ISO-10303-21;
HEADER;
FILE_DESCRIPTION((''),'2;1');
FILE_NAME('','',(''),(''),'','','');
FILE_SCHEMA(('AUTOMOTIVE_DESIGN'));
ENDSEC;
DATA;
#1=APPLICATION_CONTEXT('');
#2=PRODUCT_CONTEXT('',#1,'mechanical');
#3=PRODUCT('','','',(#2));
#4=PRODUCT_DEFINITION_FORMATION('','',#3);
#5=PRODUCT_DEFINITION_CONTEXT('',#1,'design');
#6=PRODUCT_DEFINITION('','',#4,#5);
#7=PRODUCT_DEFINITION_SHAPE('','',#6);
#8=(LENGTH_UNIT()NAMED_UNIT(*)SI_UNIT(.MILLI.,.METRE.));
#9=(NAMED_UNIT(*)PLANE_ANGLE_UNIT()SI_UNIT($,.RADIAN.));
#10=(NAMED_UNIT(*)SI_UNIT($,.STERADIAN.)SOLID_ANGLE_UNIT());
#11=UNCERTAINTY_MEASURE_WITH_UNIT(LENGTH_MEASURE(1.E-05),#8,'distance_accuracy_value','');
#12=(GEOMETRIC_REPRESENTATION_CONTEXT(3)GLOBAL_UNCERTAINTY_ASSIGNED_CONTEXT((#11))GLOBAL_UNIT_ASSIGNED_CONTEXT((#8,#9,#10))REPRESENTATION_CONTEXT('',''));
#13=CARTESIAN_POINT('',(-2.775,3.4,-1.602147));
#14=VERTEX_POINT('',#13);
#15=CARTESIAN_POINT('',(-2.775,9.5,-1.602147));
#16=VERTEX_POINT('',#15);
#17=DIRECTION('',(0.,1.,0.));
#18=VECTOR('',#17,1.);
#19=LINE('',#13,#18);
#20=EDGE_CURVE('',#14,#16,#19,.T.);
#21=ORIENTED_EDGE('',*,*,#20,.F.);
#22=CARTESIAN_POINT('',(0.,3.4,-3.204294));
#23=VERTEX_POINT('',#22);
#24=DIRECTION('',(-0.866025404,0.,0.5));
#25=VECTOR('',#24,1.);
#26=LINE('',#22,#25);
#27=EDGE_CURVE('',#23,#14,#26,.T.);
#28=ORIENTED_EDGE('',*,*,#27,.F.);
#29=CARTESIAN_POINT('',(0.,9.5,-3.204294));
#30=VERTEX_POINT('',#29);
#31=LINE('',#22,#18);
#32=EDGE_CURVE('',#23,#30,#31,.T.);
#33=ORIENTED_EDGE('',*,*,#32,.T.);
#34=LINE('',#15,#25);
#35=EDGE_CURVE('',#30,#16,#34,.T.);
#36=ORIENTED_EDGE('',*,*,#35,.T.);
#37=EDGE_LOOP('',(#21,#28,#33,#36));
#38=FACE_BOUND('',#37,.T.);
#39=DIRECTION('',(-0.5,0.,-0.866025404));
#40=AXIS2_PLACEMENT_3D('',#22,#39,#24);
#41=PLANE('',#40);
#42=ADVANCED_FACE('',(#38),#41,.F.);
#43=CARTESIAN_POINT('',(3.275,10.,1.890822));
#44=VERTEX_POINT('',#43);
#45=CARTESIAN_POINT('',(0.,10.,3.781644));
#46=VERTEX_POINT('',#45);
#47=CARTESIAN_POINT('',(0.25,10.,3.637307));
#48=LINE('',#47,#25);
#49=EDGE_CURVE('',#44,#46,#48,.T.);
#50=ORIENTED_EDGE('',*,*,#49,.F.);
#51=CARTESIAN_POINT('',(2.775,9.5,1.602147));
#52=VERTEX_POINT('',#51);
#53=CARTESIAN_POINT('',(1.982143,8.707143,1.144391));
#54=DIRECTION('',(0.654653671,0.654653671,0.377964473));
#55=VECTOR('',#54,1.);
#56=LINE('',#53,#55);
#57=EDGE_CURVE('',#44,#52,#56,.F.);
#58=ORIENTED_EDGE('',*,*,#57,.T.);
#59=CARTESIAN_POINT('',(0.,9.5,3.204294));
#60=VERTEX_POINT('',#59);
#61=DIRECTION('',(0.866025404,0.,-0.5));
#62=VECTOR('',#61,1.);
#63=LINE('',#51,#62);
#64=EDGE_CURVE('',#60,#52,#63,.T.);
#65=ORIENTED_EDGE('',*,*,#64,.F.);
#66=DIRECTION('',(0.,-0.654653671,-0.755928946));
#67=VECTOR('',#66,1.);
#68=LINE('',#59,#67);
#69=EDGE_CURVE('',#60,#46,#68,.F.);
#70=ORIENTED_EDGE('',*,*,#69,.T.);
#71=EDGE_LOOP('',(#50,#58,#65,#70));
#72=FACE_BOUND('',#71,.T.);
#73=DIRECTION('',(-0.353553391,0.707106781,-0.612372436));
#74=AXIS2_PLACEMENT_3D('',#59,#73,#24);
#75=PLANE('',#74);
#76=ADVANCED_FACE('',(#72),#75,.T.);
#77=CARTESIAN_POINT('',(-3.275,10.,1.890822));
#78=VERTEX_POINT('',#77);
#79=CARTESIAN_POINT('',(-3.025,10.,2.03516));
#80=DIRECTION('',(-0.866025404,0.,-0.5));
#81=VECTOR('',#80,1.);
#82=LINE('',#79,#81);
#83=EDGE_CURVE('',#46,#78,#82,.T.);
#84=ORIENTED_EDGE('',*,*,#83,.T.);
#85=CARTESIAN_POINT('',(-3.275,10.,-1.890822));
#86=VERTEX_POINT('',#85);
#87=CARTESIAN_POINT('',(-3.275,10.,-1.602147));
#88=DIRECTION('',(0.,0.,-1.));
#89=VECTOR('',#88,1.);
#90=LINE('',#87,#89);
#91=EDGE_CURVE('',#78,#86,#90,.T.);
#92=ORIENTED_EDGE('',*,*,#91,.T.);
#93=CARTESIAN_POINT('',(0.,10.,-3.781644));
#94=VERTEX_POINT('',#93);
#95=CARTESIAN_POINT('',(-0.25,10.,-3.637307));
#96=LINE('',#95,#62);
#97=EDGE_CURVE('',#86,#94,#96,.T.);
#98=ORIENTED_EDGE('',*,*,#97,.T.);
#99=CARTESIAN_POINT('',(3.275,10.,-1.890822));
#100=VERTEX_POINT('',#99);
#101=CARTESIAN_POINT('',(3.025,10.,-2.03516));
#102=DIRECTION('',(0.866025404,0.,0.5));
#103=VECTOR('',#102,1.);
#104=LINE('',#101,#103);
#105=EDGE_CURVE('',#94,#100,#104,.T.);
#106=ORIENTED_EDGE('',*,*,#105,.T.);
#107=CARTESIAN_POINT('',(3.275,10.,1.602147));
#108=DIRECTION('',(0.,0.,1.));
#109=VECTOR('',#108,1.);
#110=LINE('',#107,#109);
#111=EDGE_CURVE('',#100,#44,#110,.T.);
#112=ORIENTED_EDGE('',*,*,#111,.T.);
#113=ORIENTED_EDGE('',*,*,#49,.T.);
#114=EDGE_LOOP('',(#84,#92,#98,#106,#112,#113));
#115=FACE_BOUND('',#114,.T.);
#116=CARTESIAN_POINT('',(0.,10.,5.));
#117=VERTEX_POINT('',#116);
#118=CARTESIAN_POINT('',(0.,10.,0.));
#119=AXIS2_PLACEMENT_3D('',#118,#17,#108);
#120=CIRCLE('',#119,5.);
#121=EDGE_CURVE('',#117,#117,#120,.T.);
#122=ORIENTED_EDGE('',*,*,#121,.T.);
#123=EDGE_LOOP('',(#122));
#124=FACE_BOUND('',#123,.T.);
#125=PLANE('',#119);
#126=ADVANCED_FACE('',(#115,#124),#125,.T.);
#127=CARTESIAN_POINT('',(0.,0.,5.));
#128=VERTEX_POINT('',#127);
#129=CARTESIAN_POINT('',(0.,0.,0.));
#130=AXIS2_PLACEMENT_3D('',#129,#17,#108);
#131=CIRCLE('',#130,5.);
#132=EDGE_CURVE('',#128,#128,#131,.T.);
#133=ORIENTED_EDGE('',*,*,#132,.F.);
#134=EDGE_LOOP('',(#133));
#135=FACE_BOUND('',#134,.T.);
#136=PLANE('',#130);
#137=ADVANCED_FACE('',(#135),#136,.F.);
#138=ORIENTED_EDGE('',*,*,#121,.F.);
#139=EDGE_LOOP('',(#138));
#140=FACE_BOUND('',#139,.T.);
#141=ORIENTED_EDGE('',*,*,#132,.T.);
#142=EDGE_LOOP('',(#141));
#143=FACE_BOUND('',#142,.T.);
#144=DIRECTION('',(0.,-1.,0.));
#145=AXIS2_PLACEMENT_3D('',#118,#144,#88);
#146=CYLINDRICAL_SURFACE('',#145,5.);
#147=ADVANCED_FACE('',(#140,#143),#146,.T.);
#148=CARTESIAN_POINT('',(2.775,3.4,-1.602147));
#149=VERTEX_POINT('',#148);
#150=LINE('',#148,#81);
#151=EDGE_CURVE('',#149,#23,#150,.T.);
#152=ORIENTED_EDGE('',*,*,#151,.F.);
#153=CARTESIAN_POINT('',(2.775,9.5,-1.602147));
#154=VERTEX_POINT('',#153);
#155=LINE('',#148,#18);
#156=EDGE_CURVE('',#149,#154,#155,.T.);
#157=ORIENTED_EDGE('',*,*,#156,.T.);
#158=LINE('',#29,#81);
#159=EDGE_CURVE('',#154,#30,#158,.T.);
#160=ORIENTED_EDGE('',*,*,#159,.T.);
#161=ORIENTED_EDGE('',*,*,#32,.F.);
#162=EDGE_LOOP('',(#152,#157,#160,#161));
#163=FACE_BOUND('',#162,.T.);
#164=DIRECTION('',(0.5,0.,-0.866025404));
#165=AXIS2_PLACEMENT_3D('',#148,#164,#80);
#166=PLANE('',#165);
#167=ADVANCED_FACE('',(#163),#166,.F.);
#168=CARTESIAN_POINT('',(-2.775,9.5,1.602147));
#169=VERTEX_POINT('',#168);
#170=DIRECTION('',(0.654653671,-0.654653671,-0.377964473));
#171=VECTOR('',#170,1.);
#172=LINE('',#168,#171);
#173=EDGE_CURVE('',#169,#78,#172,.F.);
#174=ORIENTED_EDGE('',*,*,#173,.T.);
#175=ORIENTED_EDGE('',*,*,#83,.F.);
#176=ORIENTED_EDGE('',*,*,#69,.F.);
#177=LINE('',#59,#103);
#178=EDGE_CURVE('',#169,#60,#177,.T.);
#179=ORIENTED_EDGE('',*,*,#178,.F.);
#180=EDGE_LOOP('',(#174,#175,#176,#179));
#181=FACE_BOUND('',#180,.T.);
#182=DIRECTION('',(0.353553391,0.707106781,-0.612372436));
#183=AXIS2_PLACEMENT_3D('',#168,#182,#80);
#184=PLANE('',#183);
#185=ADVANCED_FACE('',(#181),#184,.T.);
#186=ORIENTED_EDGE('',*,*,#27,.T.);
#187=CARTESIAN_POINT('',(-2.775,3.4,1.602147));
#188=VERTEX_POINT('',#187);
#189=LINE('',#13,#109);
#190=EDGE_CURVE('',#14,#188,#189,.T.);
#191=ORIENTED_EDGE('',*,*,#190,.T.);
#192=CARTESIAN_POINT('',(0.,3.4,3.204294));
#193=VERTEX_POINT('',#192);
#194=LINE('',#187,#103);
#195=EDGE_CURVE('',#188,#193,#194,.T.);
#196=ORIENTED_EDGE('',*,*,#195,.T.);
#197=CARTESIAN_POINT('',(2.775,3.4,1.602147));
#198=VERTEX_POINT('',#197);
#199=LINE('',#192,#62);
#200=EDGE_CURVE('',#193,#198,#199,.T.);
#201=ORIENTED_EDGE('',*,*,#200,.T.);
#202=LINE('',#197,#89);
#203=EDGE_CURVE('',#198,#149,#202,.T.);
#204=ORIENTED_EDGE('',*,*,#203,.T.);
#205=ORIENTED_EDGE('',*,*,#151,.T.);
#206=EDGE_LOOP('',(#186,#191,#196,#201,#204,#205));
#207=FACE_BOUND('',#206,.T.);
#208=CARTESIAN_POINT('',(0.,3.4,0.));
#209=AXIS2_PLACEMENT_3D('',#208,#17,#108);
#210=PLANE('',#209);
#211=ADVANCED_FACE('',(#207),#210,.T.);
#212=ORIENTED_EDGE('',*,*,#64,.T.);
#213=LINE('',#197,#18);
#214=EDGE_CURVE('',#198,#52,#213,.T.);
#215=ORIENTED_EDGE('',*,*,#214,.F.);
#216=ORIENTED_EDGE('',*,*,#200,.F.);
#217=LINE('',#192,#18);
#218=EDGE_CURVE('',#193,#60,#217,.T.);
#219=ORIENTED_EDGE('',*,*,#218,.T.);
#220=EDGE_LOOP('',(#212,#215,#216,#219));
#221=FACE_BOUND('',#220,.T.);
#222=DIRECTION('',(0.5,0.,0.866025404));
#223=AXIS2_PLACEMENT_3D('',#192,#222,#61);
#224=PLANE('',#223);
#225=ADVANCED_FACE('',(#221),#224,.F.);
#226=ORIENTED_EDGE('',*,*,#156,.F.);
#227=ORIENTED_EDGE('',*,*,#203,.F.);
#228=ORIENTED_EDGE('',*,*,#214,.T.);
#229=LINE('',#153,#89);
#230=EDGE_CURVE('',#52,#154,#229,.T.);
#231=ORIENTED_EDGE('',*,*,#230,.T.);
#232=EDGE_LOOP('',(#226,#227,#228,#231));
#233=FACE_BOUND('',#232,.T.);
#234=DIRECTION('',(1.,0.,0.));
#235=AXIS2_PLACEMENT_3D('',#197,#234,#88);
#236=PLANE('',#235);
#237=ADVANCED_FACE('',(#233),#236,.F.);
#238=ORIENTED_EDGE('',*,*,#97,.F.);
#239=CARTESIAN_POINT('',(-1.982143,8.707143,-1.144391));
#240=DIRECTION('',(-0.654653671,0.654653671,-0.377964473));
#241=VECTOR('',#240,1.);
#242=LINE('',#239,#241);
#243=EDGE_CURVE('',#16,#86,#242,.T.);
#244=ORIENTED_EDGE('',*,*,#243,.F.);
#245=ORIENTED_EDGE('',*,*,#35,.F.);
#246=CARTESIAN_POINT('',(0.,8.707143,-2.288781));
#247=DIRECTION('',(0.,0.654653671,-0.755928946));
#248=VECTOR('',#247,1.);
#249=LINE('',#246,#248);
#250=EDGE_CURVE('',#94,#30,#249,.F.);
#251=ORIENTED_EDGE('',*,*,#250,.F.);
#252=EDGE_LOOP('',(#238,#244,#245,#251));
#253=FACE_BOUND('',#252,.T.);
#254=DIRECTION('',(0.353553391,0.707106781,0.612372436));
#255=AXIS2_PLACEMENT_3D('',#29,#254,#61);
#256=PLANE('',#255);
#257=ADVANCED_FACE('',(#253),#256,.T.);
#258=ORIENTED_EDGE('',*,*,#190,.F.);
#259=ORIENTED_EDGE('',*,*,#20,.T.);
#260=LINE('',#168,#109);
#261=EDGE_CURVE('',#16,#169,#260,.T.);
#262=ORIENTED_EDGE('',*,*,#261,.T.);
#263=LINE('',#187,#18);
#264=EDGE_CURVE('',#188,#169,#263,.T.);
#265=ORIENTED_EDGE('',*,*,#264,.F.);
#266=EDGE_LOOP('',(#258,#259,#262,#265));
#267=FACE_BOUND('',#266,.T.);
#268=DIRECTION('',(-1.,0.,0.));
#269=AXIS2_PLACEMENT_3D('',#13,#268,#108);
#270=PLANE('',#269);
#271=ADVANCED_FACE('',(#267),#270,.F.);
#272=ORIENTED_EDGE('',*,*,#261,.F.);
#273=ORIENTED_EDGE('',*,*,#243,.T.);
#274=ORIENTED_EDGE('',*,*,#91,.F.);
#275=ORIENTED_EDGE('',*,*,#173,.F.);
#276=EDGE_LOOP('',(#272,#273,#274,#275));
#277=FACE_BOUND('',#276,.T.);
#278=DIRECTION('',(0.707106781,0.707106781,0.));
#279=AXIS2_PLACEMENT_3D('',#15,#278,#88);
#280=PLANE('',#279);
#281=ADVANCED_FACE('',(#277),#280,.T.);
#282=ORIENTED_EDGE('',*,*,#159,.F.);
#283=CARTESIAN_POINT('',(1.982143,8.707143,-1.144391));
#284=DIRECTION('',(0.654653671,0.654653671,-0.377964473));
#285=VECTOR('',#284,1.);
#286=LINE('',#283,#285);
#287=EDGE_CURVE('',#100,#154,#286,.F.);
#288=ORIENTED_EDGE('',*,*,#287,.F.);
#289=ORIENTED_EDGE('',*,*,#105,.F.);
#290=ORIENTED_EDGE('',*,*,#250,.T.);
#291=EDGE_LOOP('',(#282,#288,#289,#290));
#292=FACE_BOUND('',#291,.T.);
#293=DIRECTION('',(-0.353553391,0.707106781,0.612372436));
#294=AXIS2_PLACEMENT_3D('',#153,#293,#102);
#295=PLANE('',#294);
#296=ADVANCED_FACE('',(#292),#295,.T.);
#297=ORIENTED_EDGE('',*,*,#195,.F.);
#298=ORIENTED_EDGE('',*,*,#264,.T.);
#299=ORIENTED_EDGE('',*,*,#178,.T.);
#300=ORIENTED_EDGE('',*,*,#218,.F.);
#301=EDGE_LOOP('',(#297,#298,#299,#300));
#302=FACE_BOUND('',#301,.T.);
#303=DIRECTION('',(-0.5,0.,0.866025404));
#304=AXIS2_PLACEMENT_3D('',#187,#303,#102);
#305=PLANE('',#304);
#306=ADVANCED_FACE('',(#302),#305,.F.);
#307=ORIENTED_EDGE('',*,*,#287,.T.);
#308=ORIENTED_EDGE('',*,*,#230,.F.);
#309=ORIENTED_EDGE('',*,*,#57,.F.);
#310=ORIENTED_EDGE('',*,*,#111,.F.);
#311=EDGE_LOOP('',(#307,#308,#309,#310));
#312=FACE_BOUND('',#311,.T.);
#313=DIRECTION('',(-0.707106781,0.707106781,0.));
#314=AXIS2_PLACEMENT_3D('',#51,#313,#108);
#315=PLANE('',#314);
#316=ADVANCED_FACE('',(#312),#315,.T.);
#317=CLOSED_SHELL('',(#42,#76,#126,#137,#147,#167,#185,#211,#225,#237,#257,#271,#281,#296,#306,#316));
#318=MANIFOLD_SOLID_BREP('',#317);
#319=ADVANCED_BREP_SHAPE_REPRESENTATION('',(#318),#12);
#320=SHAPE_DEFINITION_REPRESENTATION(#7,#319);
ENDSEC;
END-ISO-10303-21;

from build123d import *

# Parameters (mm, degrees)
SKETCH1_R           = 5
BOSS_EXTRUDE1_DEPTH = 10
CUT_EXTRUDE1_DEPTH  = 6.6
CHAMFER1_SIZE       = 0.5


with BuildPart() as part:
    # Sketch1 → Boss-Extrude1 (new body)
    with BuildSketch(Plane(origin=(0, 0, 0), x_dir=(1, 0, 0), z_dir=(0, 1, 0))):
        with Locations(Location((0, 0, 0), (0, 0, 270))):
            Circle(SKETCH1_R)
        Polygon((2.775, -1.602146997), (2.775, 1.602146997), (0, 3.204293994), (-2.775, 1.602146997), (-2.775, -1.602146997), (0, -3.204293994), align=None, mode=Mode.SUBTRACT)
        Polygon((0, -3.204293994), (2.775, -1.602146997), (2.775, 1.602146997), (0, 3.204293994), (-2.775, 1.602146997), (-2.775, -1.602146997), align=None)
    extrude(amount=BOSS_EXTRUDE1_DEPTH)

    # Sketch2 → Cut-Extrude1 (cut)
    with BuildSketch(Plane(origin=(0, 10, 0), x_dir=(1, 0, 0), z_dir=(0, 1, 0))):
        Polygon((-2.775, -1.602146997), (0, -3.204293994), (2.775, -1.602146997), (2.775, 1.602146997), (0, 3.204293994), (-2.775, 1.602146997), align=None)
    extrude(amount=-CUT_EXTRUDE1_DEPTH, mode=Mode.SUBTRACT)

    # Chamfer1
    chamfer1_edges = [part.edges().sort_by_distance(p)[0] for p in [
        (-2.775, 10, 0),
        (-1.3875, 10, 2.403220496),
        (1.3875, 10, 2.403220496),
        (2.775, 10, 0),
        (1.3875, 10, -2.403220496),
        (-1.3875, 10, -2.403220496),
    ]]
    chamfer(chamfer1_edges, length=CHAMFER1_SIZE)


solid = part.part
